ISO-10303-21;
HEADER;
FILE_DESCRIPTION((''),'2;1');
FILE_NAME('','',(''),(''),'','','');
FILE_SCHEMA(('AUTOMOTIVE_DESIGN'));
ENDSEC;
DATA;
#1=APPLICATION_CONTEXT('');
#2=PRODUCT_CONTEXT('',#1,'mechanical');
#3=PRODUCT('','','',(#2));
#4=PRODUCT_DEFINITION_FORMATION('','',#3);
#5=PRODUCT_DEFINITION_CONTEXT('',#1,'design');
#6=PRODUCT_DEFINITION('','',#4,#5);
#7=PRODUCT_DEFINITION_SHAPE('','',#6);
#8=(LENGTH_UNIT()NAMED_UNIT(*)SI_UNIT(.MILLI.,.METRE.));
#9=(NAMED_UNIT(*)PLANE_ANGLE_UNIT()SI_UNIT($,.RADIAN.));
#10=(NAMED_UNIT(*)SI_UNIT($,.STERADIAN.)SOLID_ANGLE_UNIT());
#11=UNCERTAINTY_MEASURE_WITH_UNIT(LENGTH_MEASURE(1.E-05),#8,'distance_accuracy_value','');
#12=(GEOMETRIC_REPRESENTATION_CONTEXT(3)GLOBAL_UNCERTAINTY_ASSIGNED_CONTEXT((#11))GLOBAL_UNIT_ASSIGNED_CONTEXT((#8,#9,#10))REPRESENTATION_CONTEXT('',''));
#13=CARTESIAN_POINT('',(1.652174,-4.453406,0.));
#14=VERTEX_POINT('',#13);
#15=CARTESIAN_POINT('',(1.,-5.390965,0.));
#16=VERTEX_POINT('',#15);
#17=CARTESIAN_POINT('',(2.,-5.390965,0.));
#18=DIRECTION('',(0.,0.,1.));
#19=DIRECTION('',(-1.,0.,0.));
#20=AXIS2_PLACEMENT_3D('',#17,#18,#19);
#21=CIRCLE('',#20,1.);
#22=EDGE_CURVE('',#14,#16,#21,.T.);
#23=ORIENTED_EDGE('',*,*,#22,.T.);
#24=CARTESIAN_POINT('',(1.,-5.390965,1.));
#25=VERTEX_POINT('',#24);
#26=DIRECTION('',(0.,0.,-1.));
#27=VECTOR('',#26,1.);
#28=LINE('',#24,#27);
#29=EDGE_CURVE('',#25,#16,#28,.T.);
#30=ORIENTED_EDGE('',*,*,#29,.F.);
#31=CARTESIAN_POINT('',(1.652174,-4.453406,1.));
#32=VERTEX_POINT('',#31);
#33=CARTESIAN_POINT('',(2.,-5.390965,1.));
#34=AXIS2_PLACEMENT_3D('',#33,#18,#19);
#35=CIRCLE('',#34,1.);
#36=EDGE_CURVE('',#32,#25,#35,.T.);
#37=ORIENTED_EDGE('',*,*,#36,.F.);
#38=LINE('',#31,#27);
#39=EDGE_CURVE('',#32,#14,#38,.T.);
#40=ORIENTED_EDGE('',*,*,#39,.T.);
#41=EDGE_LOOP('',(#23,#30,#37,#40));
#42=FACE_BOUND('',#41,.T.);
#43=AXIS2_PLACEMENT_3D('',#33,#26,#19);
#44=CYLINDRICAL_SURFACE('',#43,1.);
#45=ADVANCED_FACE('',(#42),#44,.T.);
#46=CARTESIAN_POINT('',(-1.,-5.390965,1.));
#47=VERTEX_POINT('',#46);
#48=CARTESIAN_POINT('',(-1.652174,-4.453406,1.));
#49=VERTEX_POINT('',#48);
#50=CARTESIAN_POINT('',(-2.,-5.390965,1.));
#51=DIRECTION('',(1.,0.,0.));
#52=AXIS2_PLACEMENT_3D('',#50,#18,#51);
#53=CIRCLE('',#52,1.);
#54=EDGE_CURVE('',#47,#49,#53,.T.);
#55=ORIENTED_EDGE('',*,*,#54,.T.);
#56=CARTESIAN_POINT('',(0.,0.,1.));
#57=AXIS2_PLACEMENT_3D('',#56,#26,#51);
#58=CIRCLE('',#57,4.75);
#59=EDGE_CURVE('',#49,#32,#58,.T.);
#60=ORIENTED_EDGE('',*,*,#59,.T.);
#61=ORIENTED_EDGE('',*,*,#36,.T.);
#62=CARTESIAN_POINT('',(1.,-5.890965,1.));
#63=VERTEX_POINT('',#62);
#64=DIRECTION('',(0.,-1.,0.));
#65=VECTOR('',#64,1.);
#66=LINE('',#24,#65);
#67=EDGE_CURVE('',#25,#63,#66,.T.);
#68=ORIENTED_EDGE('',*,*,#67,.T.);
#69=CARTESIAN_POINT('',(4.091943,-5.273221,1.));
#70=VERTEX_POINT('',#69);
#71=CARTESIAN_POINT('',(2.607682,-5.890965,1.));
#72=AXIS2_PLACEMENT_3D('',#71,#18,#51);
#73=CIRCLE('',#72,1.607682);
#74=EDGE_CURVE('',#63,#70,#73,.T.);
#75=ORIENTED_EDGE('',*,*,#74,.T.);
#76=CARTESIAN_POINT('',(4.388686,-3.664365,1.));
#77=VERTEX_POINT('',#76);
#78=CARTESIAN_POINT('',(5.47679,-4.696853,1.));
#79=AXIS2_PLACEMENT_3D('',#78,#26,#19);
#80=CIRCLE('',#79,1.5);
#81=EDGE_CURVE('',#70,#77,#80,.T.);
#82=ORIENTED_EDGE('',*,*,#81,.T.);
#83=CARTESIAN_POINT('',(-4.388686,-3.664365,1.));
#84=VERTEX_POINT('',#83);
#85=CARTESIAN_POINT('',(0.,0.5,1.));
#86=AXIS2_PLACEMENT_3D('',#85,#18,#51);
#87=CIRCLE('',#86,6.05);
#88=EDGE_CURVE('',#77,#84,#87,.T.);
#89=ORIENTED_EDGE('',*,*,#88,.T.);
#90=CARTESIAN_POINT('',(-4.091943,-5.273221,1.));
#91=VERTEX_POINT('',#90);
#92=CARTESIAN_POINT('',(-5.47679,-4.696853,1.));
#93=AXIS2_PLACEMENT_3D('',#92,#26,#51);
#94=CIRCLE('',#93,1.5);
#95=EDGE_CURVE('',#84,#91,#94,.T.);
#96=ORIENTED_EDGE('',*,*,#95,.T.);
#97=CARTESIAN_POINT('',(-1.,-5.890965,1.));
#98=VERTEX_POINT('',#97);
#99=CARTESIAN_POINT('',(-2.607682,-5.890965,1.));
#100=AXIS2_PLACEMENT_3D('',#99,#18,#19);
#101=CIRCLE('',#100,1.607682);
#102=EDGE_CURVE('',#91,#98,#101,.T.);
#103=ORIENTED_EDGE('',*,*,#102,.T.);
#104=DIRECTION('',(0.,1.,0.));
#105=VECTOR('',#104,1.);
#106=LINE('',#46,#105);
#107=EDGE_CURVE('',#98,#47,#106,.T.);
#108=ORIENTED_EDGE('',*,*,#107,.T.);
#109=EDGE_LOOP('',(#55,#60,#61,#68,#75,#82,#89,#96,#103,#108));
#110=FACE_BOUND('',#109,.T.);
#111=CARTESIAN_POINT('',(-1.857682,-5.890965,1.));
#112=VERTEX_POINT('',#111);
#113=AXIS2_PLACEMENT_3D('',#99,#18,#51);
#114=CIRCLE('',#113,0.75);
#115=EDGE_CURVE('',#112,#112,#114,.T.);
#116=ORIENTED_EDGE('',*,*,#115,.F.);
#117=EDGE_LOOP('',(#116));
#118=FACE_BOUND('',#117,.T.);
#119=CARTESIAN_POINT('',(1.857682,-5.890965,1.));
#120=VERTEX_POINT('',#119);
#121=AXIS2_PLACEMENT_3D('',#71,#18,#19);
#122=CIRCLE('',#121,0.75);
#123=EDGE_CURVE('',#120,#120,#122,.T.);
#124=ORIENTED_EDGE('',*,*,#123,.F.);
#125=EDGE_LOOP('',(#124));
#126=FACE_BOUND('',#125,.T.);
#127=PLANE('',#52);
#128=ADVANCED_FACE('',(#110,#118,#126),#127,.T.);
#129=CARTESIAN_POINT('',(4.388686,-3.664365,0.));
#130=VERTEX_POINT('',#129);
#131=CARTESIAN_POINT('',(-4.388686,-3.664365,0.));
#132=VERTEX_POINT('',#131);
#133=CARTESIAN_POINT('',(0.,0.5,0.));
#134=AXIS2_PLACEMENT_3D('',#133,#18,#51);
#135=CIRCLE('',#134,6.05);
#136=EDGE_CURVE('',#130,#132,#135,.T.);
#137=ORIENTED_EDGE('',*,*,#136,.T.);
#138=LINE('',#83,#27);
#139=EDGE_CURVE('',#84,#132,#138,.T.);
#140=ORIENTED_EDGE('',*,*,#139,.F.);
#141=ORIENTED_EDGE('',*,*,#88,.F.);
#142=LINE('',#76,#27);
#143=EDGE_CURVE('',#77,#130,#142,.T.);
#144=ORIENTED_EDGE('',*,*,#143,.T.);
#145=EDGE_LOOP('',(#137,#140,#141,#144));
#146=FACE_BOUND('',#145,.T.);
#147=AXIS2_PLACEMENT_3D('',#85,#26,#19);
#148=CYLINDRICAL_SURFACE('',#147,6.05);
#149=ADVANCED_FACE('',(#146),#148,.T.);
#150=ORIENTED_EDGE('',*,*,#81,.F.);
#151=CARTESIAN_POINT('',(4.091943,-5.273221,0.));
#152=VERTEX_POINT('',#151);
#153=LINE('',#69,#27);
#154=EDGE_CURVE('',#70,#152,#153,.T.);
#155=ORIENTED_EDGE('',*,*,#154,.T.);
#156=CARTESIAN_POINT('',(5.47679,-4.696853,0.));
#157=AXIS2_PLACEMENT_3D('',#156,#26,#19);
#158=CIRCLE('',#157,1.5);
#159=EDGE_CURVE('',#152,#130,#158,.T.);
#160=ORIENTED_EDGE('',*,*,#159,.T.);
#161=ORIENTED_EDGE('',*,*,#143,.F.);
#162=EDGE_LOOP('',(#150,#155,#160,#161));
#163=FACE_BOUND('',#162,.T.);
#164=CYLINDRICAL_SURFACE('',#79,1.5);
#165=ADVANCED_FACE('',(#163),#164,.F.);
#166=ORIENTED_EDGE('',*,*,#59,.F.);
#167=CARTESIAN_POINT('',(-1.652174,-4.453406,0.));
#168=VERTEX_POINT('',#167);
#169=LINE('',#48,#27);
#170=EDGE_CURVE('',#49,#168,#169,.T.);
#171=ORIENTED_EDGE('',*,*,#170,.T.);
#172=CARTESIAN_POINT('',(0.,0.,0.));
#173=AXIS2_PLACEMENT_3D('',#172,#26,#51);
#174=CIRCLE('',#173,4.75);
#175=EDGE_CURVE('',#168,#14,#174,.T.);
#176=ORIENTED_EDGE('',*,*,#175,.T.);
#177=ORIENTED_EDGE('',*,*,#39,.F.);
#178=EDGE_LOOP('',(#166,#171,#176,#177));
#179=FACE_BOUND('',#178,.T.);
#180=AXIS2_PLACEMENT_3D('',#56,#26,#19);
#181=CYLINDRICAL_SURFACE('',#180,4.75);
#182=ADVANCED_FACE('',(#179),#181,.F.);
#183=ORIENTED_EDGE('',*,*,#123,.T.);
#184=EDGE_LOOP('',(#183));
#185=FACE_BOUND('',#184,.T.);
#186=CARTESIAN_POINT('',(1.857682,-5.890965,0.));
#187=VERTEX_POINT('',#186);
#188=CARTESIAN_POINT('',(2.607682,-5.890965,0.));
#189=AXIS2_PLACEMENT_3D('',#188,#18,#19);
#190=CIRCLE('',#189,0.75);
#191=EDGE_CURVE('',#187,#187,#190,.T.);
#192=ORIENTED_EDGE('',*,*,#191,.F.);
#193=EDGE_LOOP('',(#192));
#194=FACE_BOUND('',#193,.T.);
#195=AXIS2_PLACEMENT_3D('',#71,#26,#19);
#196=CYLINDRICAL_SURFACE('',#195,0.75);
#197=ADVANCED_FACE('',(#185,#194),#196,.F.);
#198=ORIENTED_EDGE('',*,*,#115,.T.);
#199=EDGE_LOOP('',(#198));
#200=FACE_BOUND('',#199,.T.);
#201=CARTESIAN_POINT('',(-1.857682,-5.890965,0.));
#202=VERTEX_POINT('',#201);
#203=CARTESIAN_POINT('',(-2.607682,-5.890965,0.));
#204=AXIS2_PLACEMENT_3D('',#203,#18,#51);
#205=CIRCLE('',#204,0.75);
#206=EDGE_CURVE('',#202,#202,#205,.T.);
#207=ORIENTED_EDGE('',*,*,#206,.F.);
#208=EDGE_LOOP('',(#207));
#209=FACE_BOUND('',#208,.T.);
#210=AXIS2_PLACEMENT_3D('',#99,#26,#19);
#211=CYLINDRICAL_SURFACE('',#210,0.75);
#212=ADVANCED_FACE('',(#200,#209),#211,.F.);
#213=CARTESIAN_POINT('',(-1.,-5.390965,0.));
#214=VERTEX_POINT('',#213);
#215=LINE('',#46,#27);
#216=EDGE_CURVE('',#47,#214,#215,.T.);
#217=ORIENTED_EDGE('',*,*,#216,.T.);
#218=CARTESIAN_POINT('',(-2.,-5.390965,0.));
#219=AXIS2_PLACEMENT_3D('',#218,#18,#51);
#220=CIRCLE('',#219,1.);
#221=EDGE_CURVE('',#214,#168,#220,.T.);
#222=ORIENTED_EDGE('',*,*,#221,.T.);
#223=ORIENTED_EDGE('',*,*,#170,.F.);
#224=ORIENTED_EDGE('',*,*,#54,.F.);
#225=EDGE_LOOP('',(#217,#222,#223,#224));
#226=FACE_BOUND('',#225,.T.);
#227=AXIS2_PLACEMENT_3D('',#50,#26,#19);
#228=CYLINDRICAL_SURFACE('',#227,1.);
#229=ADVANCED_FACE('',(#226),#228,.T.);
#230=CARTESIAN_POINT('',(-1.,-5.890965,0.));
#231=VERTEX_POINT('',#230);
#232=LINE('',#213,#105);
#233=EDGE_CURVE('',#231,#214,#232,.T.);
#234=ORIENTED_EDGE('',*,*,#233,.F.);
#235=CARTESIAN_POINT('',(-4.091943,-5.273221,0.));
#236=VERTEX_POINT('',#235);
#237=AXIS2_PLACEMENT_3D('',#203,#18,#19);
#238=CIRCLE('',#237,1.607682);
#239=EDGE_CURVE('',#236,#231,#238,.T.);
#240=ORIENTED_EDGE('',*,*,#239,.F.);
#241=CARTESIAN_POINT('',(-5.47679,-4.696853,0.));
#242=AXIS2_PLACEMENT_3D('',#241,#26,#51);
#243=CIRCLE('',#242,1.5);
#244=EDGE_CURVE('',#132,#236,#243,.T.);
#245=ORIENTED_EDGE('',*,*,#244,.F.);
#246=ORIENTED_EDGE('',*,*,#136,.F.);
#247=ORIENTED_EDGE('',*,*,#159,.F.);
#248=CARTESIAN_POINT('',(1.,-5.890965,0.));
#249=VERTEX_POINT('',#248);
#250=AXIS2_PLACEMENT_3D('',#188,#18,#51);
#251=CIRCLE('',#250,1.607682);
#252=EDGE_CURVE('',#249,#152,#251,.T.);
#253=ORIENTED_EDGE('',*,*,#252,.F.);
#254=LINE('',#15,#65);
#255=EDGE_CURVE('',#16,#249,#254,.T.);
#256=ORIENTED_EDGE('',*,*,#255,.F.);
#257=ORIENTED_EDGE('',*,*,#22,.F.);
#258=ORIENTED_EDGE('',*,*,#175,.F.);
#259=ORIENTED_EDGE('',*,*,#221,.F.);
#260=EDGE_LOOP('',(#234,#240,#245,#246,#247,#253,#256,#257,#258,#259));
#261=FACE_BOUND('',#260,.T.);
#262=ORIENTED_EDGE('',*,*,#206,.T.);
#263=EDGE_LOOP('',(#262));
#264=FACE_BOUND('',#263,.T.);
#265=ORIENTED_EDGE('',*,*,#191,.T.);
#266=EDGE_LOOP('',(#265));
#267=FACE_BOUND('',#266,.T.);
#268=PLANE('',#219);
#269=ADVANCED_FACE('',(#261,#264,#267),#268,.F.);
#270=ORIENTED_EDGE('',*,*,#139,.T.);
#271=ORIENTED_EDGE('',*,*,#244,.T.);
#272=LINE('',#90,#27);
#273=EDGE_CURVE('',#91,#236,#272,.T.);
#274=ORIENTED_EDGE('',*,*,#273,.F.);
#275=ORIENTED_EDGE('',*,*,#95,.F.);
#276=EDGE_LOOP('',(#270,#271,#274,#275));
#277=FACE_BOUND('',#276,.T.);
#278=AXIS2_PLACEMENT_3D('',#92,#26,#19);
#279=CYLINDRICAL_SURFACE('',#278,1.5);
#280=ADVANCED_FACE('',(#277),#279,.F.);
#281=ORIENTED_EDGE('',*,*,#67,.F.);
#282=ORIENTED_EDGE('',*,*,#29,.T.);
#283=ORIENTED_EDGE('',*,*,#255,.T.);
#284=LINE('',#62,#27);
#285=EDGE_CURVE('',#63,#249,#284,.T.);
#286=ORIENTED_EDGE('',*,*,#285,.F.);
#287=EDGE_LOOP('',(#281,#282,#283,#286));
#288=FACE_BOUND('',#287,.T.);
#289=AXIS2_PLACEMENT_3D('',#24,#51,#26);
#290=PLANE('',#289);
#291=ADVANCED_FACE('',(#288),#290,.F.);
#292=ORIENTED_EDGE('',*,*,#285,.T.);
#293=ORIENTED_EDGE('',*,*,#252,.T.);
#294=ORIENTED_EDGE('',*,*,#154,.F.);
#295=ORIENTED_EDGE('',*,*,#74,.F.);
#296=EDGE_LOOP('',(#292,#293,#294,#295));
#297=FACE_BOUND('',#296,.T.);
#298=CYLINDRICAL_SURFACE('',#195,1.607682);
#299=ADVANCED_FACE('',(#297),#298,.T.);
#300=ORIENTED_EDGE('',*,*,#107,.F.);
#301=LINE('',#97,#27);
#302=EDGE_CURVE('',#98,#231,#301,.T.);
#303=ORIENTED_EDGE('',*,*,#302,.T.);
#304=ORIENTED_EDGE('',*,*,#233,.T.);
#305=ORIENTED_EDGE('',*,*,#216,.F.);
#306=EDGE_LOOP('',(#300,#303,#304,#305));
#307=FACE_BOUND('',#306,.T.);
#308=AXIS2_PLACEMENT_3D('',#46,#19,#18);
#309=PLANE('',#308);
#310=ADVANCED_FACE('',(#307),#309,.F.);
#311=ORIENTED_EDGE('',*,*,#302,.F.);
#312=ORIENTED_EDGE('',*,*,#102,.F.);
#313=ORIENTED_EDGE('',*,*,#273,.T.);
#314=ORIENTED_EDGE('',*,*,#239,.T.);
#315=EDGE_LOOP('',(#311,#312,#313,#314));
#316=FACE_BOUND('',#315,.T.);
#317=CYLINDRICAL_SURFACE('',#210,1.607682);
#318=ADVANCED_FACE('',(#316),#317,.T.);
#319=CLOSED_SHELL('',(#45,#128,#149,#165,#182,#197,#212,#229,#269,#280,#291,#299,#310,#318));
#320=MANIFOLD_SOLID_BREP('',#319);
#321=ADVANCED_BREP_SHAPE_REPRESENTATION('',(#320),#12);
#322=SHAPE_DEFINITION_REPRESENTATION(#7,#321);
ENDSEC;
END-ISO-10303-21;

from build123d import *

# Parameters (mm, degrees)
SKETCH_10_165_R      = 0.75
EXTRUDE_10_165_DEPTH = 1


with BuildPart() as part:
    # Эскиз10-165 → Бобышка10-165 (new body)
    with BuildSketch(Plane.XY):
        with BuildLine():
            Line((-1, -5.390964663), (-1, -5.890964663))
            ThreePointArc((-1, -5.890964663), (-2.922657813, -7.467489248), (-4.091942964, -5.273220561))
            ThreePointArc((-4.091942964, -5.273220561), (-4.001670953, -4.424776755), (-4.388685631, -3.66436531))
            ThreePointArc((-4.388685631, -3.66436531), (0, 6.55), (4.388685631, -3.66436531))
            ThreePointArc((4.388685631, -3.66436531), (4.001670953, -4.424776755), (4.091942964, -5.273220561))
            ThreePointArc((4.091942964, -5.273220561), (2.922657813, -7.467489248), (1, -5.890964663))
            Line((1, -5.890964663), (1, -5.390964663))
            ThreePointArc((1, -5.390964663), (1.179077931, -4.819924422), (1.652173913, -4.453405591))
            ThreePointArc((1.652173913, -4.453405591), (0, 4.75), (-1.652173913, -4.453405591))
            ThreePointArc((-1.652173913, -4.453405591), (-1.179077931, -4.819924422), (-1, -5.390964663))
        make_face()
        with Locations((-2.60768151, -5.890964663)):
            Circle(SKETCH_10_165_R, mode=Mode.SUBTRACT)
        with Locations(Location((2.60768151, -5.890964663, 0), (0, 0, 180))):
            Circle(SKETCH_10_165_R, mode=Mode.SUBTRACT)
    extrude(amount=EXTRUDE_10_165_DEPTH)


solid = part.part
